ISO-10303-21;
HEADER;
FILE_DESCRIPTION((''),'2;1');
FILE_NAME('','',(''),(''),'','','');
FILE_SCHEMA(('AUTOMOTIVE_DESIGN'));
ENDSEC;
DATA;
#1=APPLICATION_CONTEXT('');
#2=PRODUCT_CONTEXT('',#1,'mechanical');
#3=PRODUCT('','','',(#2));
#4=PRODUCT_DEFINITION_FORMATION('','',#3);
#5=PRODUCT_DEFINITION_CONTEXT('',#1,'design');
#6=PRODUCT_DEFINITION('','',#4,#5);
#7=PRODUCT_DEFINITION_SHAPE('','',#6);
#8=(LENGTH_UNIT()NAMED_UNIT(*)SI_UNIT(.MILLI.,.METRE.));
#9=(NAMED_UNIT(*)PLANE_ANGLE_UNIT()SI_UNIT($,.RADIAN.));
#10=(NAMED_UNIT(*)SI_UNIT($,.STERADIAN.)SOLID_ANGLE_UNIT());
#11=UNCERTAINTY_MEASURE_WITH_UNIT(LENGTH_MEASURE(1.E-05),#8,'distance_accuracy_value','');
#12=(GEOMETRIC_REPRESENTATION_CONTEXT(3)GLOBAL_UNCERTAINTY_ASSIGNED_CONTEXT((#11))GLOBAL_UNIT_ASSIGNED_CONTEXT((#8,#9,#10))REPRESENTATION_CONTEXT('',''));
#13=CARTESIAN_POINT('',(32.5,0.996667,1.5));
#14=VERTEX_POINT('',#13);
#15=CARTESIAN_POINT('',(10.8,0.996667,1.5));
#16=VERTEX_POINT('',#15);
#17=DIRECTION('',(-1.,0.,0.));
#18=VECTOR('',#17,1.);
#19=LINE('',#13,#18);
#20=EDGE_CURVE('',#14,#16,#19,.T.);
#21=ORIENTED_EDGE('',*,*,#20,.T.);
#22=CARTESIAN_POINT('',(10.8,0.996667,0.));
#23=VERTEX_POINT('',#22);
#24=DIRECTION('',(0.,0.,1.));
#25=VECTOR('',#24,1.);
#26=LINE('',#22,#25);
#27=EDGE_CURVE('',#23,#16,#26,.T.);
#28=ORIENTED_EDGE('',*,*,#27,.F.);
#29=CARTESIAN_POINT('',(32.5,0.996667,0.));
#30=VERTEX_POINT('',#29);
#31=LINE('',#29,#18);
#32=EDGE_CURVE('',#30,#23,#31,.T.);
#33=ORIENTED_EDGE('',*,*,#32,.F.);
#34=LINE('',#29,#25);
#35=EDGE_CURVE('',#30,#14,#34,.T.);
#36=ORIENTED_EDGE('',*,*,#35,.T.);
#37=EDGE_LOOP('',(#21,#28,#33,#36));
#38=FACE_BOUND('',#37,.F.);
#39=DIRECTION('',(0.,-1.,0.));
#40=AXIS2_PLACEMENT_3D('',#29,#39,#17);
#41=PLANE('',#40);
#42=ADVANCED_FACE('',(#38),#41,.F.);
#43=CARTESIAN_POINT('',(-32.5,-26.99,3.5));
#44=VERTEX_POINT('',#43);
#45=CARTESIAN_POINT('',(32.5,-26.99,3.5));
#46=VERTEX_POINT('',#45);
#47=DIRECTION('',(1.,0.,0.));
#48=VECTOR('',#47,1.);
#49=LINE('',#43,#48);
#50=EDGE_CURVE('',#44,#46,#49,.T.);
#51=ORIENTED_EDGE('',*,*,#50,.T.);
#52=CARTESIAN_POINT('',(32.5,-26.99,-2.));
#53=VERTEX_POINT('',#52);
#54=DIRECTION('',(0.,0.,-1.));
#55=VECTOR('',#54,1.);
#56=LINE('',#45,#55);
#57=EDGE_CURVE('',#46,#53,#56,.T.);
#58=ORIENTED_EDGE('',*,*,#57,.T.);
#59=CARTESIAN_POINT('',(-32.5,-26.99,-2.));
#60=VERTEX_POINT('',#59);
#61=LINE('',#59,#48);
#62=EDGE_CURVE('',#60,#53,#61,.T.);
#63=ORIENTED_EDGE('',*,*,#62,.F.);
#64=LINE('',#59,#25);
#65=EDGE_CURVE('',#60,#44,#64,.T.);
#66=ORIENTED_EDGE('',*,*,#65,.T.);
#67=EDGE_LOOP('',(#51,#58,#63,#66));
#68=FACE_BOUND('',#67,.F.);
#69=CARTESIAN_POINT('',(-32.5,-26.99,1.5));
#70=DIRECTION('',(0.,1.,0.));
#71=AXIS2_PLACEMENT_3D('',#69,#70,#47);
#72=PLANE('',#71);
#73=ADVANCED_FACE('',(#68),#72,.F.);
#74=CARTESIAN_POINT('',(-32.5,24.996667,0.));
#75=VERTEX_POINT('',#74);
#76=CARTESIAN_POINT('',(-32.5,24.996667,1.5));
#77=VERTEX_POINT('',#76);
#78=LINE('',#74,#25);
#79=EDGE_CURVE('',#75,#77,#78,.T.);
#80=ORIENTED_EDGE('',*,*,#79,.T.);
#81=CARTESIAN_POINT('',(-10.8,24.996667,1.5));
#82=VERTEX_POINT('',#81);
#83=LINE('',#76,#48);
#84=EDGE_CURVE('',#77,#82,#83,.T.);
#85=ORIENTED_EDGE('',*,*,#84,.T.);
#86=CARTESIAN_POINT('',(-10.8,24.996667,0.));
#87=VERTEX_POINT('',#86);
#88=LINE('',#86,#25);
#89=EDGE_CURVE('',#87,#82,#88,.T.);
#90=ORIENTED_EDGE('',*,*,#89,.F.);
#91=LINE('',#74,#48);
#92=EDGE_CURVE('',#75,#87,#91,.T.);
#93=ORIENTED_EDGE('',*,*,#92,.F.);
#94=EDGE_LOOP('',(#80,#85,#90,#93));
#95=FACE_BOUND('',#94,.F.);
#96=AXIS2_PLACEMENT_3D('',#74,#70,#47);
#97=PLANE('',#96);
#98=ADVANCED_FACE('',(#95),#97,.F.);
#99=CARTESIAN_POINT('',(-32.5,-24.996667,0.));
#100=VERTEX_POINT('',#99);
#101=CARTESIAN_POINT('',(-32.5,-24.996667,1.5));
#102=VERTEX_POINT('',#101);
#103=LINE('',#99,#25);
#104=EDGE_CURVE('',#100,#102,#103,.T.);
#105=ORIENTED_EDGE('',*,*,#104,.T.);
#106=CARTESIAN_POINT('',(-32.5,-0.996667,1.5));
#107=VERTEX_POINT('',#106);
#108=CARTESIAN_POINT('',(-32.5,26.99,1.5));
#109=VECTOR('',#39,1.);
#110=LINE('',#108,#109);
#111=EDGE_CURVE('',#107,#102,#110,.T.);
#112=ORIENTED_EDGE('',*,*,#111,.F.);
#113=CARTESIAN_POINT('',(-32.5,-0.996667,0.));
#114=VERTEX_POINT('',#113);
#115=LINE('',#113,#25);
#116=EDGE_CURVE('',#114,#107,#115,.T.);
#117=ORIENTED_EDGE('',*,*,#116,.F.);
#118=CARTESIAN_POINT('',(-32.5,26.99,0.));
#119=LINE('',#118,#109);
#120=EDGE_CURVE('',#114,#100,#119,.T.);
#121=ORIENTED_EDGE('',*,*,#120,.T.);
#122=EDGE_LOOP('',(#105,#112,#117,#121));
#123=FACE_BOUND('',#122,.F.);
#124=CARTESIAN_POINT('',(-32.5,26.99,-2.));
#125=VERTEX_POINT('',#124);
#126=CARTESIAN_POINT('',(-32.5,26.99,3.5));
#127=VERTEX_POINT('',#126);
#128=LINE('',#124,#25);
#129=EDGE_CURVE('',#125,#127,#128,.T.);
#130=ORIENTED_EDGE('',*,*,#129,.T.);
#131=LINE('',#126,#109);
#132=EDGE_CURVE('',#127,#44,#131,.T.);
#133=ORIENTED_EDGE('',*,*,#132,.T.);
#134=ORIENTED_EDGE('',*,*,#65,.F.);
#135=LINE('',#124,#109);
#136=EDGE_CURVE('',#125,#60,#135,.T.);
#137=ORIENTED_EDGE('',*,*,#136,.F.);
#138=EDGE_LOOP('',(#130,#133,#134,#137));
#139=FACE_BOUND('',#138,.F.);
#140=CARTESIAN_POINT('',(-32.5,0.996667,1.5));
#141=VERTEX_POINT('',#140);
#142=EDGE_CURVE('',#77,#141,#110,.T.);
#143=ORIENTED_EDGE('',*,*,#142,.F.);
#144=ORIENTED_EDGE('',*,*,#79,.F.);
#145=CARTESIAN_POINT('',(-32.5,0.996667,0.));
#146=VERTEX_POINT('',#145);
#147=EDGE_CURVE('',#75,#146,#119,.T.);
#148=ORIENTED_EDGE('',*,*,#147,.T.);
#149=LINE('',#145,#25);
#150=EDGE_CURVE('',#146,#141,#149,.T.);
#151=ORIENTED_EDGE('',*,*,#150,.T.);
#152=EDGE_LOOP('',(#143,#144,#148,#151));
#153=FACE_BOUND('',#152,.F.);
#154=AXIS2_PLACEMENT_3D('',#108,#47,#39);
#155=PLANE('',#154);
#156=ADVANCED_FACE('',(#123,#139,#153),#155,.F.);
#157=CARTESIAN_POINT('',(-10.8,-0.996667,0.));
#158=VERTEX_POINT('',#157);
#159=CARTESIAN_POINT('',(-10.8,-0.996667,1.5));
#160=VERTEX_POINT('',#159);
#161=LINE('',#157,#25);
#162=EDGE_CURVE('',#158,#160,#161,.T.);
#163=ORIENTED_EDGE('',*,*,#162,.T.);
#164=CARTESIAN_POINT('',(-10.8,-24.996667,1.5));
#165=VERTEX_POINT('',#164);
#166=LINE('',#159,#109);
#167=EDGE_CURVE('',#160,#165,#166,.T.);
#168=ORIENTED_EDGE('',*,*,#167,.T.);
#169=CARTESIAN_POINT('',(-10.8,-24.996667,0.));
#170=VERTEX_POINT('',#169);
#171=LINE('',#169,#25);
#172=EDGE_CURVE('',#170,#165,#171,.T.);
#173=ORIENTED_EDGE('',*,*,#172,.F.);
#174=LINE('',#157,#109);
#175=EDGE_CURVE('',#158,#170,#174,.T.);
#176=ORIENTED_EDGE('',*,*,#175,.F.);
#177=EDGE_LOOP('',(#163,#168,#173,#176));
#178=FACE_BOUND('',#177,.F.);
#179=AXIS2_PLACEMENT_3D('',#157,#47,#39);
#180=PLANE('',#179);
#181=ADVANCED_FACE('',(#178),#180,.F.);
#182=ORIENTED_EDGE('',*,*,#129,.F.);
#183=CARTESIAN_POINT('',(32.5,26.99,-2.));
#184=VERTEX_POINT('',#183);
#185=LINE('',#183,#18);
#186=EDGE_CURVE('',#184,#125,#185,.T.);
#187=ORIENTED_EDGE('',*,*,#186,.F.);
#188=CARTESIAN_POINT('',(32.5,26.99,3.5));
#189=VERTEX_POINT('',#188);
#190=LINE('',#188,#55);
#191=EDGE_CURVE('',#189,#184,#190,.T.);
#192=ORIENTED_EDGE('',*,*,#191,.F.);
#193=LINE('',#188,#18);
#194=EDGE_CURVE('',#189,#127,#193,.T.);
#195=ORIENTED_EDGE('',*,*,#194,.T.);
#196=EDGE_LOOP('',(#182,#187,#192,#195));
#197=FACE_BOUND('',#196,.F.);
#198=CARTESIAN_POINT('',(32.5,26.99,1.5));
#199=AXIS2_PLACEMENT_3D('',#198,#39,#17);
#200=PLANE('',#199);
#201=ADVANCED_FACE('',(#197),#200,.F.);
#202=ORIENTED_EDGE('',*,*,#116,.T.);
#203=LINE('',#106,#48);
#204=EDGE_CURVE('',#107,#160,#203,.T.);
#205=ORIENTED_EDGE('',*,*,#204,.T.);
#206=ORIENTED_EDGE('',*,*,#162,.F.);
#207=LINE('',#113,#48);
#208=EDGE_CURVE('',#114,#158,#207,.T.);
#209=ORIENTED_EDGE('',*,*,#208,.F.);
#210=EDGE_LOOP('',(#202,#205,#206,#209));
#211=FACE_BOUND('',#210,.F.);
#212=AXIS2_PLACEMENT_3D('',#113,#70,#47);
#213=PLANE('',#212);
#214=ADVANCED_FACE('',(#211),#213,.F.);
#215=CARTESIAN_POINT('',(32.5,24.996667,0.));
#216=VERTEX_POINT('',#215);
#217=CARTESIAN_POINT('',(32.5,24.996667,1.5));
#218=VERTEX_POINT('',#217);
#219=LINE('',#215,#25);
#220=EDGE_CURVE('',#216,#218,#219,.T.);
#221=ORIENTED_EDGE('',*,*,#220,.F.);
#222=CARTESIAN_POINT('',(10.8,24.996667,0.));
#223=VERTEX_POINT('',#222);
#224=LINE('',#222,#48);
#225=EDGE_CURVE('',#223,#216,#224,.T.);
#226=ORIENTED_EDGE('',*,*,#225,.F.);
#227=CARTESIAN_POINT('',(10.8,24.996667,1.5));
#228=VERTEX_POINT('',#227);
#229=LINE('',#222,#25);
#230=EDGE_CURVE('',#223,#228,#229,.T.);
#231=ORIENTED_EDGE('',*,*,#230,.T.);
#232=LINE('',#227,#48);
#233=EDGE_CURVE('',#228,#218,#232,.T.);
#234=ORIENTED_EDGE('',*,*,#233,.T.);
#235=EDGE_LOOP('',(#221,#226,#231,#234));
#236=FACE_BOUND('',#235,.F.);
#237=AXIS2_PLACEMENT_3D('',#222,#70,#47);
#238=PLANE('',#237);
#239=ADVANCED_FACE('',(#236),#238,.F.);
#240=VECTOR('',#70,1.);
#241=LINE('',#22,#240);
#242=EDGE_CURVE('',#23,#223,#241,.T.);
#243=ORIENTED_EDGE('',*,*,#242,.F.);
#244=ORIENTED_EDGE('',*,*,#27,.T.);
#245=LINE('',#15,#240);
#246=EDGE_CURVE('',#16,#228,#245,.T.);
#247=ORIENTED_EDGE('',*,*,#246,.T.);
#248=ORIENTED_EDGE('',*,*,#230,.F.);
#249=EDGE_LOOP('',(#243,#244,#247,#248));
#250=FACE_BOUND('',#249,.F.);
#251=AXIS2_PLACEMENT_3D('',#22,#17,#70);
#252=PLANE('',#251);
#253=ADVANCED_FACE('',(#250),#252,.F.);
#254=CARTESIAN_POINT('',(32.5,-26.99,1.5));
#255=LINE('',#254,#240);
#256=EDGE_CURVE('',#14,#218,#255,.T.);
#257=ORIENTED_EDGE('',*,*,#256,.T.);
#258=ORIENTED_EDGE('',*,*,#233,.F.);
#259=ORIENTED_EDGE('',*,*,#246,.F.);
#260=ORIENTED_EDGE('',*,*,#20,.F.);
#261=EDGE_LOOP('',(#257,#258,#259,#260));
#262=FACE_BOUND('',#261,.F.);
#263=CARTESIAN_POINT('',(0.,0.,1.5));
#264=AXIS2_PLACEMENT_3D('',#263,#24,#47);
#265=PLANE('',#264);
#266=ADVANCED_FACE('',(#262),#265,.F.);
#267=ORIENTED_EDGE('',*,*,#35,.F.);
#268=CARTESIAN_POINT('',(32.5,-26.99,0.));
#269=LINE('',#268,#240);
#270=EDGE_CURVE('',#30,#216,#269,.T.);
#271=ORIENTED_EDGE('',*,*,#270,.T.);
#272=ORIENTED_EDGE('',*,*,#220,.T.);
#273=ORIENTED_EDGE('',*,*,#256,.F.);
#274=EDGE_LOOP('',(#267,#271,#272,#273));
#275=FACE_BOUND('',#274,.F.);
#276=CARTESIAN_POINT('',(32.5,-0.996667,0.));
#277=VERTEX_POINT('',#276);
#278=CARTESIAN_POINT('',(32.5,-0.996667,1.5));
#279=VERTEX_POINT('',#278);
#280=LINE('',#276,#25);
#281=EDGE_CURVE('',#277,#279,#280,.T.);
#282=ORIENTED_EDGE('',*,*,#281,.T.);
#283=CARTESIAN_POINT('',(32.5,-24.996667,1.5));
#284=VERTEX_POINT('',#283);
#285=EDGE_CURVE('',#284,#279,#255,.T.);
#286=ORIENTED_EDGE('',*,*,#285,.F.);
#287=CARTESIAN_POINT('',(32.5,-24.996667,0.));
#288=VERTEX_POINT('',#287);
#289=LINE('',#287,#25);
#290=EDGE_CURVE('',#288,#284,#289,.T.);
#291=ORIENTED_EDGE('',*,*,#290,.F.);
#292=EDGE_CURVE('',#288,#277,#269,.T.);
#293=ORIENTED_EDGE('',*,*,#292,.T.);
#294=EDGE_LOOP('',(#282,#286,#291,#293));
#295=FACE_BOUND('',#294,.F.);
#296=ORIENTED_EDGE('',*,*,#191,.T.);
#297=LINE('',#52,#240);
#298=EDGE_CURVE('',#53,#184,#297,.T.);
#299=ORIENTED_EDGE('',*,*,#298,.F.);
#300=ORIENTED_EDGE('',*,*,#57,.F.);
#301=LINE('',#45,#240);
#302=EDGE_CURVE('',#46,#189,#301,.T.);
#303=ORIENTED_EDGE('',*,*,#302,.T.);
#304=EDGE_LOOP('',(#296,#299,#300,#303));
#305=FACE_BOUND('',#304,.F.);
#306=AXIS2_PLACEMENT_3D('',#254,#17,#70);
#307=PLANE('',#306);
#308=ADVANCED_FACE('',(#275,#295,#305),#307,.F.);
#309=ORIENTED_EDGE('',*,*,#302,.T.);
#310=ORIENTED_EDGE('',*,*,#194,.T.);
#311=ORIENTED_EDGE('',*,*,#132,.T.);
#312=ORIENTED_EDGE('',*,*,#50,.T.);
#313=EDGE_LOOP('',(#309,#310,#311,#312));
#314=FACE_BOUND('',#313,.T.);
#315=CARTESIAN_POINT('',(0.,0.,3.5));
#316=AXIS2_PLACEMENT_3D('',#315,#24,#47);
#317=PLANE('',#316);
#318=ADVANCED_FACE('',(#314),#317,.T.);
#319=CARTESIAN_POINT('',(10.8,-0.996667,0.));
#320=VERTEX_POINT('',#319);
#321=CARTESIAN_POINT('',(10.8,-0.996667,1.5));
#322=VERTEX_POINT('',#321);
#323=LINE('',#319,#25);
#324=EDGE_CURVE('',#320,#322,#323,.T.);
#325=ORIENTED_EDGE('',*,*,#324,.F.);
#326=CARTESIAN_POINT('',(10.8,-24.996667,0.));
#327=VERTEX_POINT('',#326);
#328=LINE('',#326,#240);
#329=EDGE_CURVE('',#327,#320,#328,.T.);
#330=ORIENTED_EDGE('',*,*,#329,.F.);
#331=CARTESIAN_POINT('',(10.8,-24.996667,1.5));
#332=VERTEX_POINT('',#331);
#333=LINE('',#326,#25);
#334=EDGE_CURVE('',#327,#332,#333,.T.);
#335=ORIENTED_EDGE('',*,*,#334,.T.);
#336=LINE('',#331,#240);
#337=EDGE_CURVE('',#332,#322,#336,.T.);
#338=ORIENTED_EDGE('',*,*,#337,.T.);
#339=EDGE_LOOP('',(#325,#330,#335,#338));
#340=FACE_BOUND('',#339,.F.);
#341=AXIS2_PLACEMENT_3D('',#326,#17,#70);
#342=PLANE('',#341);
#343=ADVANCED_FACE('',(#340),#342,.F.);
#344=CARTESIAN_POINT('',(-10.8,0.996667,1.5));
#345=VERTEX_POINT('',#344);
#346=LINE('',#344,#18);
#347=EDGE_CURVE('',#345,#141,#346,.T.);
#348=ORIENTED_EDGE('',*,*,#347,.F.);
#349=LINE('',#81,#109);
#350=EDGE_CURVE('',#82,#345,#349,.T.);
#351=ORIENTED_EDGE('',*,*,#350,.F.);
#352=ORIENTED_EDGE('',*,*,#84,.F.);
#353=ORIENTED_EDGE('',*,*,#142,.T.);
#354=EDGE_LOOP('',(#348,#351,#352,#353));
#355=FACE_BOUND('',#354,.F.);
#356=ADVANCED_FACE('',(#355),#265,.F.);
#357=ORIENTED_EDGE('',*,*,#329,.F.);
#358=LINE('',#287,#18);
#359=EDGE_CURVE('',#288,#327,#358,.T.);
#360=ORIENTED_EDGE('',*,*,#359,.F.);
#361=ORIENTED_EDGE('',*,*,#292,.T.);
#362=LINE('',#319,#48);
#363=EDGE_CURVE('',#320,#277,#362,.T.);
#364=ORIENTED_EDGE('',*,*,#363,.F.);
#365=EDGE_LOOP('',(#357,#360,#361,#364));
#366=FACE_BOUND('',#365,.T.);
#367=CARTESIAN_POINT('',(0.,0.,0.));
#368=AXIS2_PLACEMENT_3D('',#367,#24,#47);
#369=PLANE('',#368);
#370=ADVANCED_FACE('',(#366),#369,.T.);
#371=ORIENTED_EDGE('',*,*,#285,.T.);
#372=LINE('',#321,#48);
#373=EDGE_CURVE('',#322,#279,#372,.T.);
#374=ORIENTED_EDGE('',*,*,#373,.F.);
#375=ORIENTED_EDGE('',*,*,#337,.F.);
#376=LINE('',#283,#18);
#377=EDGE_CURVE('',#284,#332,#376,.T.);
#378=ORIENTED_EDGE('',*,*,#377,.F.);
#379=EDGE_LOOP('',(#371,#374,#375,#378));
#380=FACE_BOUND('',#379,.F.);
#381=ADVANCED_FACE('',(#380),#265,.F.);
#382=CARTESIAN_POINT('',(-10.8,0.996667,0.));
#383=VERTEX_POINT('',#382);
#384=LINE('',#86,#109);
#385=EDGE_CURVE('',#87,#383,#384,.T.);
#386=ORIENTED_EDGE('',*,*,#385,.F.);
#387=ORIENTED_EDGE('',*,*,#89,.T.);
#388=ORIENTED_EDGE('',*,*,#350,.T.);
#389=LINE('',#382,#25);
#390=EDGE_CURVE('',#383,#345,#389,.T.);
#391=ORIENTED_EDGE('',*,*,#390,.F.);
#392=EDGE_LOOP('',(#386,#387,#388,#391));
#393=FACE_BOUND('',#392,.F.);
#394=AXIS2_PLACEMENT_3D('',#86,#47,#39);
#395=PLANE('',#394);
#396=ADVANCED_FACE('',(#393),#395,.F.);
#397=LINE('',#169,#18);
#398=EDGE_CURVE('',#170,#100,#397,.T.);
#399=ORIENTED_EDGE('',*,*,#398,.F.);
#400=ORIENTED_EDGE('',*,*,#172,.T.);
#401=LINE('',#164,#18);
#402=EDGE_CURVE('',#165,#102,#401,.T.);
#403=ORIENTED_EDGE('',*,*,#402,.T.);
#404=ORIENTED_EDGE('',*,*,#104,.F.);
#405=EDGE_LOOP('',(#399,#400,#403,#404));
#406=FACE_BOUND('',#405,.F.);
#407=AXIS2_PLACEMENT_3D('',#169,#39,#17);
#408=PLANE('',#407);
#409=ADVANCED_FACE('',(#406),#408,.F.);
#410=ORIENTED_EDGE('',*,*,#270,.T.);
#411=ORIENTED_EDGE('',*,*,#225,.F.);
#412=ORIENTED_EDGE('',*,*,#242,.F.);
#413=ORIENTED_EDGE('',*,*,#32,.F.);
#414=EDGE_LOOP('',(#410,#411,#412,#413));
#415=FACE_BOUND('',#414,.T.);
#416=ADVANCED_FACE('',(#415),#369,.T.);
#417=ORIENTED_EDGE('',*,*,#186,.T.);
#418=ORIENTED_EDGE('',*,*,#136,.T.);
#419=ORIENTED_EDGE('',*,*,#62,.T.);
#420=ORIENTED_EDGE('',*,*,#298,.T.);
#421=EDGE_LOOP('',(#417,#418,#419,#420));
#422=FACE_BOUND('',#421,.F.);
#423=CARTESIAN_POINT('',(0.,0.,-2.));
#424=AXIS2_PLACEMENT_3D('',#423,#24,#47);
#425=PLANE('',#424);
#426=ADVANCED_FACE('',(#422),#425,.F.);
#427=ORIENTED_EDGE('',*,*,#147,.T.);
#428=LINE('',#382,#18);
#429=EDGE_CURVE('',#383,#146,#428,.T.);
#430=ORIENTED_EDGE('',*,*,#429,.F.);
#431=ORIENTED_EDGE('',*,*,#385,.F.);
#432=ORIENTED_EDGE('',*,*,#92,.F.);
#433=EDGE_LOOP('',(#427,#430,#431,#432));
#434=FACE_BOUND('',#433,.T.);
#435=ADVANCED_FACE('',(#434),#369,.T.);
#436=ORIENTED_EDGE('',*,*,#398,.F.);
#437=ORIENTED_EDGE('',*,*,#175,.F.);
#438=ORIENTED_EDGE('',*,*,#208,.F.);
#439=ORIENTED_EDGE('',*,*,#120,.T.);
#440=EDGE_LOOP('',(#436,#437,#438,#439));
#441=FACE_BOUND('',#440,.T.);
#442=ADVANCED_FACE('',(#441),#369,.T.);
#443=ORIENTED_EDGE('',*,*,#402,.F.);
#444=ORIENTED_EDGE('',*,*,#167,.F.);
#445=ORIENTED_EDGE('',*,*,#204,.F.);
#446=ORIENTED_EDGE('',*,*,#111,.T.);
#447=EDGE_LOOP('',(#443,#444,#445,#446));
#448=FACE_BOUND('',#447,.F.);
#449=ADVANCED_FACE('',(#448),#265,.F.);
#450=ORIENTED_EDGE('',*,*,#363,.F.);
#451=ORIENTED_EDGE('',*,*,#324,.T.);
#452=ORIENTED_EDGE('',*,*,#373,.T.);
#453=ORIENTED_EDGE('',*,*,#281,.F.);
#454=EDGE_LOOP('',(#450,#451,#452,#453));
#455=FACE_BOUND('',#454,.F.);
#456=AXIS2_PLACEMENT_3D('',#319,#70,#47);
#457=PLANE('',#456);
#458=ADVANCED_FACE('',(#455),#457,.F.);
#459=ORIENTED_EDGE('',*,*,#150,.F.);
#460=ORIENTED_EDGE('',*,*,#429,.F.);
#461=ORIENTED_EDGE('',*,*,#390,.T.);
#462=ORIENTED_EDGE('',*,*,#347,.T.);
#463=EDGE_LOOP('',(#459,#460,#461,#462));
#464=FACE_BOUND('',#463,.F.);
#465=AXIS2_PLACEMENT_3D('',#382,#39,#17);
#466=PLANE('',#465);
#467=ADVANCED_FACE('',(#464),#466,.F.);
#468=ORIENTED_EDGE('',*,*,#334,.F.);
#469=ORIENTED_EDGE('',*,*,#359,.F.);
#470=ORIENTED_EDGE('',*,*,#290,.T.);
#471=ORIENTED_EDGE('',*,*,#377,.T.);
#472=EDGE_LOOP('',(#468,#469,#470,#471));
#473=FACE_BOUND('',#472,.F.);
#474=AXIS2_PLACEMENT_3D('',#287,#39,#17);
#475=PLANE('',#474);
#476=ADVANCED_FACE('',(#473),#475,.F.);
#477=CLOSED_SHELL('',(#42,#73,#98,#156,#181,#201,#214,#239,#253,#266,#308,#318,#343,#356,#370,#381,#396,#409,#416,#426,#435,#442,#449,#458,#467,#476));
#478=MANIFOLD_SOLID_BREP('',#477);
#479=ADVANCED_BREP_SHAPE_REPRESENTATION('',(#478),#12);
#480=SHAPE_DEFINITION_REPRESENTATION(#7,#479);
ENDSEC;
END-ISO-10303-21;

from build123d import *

# Parameters (mm, degrees)
F2_W     = 21.7
F2_H     = 24
F3_DEPTH = 2
F4_DEPTH = 1.5
F5_W     = 21.7
F5_H     = 24
F6_DEPTH = 2


with BuildPart() as f3:
    # F2 (on Top) → F3 (new body)
    with BuildSketch(Plane.XY):
        Polygon((32.5, 26.99), (-32.5, 26.99), (-32.5, 24.9966666667), (-10.8, 24.9966666667), (-10.8, 0.9966666667), (-32.5, 0.9966666667), (-32.5, -0.9966666667), (-10.8, -0.9966666667), (-10.8, -24.9966666667), (-32.5, -24.9966666667), (-32.5, -26.99), (32.5, -26.99), (32.5, -24.9966666667), (10.8, -24.9966666667), (10.8, -0.9966666667), (32.5, -0.9966666667), (32.5, 0.9966666667), (10.8, 0.9966666667), (10.8, 24.9966666667), (32.5, 24.9966666667), align=None)
        with Locations((21.65, 12.9966666667)):
            Rectangle(F2_W, F2_H)
        with Locations((-21.65, -12.9966666667)):
            Rectangle(F2_W, F2_H)
        with Locations((-21.65, 12.9966666667)):
            Rectangle(F2_W, F2_H)
        with Locations((21.65, -12.9966666667)):
            Rectangle(F2_W, F2_H)
    extrude(amount=-F3_DEPTH)

    # F2 (on Top) → F4 (join)
    with BuildSketch(Plane.XY):
        Polygon((32.5, 26.99), (-32.5, 26.99), (-32.5, 24.9966666667), (-10.8, 24.9966666667), (-10.8, 0.9966666667), (-32.5, 0.9966666667), (-32.5, -0.9966666667), (-10.8, -0.9966666667), (-10.8, -24.9966666667), (-32.5, -24.9966666667), (-32.5, -26.99), (32.5, -26.99), (32.5, -24.9966666667), (10.8, -24.9966666667), (10.8, -0.9966666667), (32.5, -0.9966666667), (32.5, 0.9966666667), (10.8, 0.9966666667), (10.8, 24.9966666667), (32.5, 24.9966666667), align=None)
    extrude(amount=F4_DEPTH)

    # F5 (on face) → F6 (join)
    with BuildSketch(Plane.XY.offset(1.5)):
        Polygon((10.8, -24.9966666667), (10.8, -0.9966666667), (32.5, -0.9966666667), (32.5, 0.9966666667), (10.8, 0.9966666667), (10.8, 24.9966666667), (32.5, 24.9966666667), (32.5, 26.99), (-32.5, 26.99), (-32.5, 24.9966666667), (-10.8, 24.9966666667), (-10.8, 0.9966666667), (-32.5, 0.9966666667), (-32.5, -0.9966666667), (-10.8, -0.9966666667), (-10.8, -24.9966666667), (-32.5, -24.9966666667), (-32.5, -26.99), (32.5, -26.99), (32.5, -24.9966666667), align=None)
        with Locations((-21.65, 12.9966666667)):
            Rectangle(F5_W, F5_H)
        with Locations((-21.65, -12.9966666667)):
            Rectangle(F5_W, F5_H)
        with Locations((21.65, 12.9966666667)):
            Rectangle(F5_W, F5_H)
        with Locations((21.65, -12.9966666667)):
            Rectangle(F5_W, F5_H)
    extrude(amount=F6_DEPTH)


solid = f3.part
